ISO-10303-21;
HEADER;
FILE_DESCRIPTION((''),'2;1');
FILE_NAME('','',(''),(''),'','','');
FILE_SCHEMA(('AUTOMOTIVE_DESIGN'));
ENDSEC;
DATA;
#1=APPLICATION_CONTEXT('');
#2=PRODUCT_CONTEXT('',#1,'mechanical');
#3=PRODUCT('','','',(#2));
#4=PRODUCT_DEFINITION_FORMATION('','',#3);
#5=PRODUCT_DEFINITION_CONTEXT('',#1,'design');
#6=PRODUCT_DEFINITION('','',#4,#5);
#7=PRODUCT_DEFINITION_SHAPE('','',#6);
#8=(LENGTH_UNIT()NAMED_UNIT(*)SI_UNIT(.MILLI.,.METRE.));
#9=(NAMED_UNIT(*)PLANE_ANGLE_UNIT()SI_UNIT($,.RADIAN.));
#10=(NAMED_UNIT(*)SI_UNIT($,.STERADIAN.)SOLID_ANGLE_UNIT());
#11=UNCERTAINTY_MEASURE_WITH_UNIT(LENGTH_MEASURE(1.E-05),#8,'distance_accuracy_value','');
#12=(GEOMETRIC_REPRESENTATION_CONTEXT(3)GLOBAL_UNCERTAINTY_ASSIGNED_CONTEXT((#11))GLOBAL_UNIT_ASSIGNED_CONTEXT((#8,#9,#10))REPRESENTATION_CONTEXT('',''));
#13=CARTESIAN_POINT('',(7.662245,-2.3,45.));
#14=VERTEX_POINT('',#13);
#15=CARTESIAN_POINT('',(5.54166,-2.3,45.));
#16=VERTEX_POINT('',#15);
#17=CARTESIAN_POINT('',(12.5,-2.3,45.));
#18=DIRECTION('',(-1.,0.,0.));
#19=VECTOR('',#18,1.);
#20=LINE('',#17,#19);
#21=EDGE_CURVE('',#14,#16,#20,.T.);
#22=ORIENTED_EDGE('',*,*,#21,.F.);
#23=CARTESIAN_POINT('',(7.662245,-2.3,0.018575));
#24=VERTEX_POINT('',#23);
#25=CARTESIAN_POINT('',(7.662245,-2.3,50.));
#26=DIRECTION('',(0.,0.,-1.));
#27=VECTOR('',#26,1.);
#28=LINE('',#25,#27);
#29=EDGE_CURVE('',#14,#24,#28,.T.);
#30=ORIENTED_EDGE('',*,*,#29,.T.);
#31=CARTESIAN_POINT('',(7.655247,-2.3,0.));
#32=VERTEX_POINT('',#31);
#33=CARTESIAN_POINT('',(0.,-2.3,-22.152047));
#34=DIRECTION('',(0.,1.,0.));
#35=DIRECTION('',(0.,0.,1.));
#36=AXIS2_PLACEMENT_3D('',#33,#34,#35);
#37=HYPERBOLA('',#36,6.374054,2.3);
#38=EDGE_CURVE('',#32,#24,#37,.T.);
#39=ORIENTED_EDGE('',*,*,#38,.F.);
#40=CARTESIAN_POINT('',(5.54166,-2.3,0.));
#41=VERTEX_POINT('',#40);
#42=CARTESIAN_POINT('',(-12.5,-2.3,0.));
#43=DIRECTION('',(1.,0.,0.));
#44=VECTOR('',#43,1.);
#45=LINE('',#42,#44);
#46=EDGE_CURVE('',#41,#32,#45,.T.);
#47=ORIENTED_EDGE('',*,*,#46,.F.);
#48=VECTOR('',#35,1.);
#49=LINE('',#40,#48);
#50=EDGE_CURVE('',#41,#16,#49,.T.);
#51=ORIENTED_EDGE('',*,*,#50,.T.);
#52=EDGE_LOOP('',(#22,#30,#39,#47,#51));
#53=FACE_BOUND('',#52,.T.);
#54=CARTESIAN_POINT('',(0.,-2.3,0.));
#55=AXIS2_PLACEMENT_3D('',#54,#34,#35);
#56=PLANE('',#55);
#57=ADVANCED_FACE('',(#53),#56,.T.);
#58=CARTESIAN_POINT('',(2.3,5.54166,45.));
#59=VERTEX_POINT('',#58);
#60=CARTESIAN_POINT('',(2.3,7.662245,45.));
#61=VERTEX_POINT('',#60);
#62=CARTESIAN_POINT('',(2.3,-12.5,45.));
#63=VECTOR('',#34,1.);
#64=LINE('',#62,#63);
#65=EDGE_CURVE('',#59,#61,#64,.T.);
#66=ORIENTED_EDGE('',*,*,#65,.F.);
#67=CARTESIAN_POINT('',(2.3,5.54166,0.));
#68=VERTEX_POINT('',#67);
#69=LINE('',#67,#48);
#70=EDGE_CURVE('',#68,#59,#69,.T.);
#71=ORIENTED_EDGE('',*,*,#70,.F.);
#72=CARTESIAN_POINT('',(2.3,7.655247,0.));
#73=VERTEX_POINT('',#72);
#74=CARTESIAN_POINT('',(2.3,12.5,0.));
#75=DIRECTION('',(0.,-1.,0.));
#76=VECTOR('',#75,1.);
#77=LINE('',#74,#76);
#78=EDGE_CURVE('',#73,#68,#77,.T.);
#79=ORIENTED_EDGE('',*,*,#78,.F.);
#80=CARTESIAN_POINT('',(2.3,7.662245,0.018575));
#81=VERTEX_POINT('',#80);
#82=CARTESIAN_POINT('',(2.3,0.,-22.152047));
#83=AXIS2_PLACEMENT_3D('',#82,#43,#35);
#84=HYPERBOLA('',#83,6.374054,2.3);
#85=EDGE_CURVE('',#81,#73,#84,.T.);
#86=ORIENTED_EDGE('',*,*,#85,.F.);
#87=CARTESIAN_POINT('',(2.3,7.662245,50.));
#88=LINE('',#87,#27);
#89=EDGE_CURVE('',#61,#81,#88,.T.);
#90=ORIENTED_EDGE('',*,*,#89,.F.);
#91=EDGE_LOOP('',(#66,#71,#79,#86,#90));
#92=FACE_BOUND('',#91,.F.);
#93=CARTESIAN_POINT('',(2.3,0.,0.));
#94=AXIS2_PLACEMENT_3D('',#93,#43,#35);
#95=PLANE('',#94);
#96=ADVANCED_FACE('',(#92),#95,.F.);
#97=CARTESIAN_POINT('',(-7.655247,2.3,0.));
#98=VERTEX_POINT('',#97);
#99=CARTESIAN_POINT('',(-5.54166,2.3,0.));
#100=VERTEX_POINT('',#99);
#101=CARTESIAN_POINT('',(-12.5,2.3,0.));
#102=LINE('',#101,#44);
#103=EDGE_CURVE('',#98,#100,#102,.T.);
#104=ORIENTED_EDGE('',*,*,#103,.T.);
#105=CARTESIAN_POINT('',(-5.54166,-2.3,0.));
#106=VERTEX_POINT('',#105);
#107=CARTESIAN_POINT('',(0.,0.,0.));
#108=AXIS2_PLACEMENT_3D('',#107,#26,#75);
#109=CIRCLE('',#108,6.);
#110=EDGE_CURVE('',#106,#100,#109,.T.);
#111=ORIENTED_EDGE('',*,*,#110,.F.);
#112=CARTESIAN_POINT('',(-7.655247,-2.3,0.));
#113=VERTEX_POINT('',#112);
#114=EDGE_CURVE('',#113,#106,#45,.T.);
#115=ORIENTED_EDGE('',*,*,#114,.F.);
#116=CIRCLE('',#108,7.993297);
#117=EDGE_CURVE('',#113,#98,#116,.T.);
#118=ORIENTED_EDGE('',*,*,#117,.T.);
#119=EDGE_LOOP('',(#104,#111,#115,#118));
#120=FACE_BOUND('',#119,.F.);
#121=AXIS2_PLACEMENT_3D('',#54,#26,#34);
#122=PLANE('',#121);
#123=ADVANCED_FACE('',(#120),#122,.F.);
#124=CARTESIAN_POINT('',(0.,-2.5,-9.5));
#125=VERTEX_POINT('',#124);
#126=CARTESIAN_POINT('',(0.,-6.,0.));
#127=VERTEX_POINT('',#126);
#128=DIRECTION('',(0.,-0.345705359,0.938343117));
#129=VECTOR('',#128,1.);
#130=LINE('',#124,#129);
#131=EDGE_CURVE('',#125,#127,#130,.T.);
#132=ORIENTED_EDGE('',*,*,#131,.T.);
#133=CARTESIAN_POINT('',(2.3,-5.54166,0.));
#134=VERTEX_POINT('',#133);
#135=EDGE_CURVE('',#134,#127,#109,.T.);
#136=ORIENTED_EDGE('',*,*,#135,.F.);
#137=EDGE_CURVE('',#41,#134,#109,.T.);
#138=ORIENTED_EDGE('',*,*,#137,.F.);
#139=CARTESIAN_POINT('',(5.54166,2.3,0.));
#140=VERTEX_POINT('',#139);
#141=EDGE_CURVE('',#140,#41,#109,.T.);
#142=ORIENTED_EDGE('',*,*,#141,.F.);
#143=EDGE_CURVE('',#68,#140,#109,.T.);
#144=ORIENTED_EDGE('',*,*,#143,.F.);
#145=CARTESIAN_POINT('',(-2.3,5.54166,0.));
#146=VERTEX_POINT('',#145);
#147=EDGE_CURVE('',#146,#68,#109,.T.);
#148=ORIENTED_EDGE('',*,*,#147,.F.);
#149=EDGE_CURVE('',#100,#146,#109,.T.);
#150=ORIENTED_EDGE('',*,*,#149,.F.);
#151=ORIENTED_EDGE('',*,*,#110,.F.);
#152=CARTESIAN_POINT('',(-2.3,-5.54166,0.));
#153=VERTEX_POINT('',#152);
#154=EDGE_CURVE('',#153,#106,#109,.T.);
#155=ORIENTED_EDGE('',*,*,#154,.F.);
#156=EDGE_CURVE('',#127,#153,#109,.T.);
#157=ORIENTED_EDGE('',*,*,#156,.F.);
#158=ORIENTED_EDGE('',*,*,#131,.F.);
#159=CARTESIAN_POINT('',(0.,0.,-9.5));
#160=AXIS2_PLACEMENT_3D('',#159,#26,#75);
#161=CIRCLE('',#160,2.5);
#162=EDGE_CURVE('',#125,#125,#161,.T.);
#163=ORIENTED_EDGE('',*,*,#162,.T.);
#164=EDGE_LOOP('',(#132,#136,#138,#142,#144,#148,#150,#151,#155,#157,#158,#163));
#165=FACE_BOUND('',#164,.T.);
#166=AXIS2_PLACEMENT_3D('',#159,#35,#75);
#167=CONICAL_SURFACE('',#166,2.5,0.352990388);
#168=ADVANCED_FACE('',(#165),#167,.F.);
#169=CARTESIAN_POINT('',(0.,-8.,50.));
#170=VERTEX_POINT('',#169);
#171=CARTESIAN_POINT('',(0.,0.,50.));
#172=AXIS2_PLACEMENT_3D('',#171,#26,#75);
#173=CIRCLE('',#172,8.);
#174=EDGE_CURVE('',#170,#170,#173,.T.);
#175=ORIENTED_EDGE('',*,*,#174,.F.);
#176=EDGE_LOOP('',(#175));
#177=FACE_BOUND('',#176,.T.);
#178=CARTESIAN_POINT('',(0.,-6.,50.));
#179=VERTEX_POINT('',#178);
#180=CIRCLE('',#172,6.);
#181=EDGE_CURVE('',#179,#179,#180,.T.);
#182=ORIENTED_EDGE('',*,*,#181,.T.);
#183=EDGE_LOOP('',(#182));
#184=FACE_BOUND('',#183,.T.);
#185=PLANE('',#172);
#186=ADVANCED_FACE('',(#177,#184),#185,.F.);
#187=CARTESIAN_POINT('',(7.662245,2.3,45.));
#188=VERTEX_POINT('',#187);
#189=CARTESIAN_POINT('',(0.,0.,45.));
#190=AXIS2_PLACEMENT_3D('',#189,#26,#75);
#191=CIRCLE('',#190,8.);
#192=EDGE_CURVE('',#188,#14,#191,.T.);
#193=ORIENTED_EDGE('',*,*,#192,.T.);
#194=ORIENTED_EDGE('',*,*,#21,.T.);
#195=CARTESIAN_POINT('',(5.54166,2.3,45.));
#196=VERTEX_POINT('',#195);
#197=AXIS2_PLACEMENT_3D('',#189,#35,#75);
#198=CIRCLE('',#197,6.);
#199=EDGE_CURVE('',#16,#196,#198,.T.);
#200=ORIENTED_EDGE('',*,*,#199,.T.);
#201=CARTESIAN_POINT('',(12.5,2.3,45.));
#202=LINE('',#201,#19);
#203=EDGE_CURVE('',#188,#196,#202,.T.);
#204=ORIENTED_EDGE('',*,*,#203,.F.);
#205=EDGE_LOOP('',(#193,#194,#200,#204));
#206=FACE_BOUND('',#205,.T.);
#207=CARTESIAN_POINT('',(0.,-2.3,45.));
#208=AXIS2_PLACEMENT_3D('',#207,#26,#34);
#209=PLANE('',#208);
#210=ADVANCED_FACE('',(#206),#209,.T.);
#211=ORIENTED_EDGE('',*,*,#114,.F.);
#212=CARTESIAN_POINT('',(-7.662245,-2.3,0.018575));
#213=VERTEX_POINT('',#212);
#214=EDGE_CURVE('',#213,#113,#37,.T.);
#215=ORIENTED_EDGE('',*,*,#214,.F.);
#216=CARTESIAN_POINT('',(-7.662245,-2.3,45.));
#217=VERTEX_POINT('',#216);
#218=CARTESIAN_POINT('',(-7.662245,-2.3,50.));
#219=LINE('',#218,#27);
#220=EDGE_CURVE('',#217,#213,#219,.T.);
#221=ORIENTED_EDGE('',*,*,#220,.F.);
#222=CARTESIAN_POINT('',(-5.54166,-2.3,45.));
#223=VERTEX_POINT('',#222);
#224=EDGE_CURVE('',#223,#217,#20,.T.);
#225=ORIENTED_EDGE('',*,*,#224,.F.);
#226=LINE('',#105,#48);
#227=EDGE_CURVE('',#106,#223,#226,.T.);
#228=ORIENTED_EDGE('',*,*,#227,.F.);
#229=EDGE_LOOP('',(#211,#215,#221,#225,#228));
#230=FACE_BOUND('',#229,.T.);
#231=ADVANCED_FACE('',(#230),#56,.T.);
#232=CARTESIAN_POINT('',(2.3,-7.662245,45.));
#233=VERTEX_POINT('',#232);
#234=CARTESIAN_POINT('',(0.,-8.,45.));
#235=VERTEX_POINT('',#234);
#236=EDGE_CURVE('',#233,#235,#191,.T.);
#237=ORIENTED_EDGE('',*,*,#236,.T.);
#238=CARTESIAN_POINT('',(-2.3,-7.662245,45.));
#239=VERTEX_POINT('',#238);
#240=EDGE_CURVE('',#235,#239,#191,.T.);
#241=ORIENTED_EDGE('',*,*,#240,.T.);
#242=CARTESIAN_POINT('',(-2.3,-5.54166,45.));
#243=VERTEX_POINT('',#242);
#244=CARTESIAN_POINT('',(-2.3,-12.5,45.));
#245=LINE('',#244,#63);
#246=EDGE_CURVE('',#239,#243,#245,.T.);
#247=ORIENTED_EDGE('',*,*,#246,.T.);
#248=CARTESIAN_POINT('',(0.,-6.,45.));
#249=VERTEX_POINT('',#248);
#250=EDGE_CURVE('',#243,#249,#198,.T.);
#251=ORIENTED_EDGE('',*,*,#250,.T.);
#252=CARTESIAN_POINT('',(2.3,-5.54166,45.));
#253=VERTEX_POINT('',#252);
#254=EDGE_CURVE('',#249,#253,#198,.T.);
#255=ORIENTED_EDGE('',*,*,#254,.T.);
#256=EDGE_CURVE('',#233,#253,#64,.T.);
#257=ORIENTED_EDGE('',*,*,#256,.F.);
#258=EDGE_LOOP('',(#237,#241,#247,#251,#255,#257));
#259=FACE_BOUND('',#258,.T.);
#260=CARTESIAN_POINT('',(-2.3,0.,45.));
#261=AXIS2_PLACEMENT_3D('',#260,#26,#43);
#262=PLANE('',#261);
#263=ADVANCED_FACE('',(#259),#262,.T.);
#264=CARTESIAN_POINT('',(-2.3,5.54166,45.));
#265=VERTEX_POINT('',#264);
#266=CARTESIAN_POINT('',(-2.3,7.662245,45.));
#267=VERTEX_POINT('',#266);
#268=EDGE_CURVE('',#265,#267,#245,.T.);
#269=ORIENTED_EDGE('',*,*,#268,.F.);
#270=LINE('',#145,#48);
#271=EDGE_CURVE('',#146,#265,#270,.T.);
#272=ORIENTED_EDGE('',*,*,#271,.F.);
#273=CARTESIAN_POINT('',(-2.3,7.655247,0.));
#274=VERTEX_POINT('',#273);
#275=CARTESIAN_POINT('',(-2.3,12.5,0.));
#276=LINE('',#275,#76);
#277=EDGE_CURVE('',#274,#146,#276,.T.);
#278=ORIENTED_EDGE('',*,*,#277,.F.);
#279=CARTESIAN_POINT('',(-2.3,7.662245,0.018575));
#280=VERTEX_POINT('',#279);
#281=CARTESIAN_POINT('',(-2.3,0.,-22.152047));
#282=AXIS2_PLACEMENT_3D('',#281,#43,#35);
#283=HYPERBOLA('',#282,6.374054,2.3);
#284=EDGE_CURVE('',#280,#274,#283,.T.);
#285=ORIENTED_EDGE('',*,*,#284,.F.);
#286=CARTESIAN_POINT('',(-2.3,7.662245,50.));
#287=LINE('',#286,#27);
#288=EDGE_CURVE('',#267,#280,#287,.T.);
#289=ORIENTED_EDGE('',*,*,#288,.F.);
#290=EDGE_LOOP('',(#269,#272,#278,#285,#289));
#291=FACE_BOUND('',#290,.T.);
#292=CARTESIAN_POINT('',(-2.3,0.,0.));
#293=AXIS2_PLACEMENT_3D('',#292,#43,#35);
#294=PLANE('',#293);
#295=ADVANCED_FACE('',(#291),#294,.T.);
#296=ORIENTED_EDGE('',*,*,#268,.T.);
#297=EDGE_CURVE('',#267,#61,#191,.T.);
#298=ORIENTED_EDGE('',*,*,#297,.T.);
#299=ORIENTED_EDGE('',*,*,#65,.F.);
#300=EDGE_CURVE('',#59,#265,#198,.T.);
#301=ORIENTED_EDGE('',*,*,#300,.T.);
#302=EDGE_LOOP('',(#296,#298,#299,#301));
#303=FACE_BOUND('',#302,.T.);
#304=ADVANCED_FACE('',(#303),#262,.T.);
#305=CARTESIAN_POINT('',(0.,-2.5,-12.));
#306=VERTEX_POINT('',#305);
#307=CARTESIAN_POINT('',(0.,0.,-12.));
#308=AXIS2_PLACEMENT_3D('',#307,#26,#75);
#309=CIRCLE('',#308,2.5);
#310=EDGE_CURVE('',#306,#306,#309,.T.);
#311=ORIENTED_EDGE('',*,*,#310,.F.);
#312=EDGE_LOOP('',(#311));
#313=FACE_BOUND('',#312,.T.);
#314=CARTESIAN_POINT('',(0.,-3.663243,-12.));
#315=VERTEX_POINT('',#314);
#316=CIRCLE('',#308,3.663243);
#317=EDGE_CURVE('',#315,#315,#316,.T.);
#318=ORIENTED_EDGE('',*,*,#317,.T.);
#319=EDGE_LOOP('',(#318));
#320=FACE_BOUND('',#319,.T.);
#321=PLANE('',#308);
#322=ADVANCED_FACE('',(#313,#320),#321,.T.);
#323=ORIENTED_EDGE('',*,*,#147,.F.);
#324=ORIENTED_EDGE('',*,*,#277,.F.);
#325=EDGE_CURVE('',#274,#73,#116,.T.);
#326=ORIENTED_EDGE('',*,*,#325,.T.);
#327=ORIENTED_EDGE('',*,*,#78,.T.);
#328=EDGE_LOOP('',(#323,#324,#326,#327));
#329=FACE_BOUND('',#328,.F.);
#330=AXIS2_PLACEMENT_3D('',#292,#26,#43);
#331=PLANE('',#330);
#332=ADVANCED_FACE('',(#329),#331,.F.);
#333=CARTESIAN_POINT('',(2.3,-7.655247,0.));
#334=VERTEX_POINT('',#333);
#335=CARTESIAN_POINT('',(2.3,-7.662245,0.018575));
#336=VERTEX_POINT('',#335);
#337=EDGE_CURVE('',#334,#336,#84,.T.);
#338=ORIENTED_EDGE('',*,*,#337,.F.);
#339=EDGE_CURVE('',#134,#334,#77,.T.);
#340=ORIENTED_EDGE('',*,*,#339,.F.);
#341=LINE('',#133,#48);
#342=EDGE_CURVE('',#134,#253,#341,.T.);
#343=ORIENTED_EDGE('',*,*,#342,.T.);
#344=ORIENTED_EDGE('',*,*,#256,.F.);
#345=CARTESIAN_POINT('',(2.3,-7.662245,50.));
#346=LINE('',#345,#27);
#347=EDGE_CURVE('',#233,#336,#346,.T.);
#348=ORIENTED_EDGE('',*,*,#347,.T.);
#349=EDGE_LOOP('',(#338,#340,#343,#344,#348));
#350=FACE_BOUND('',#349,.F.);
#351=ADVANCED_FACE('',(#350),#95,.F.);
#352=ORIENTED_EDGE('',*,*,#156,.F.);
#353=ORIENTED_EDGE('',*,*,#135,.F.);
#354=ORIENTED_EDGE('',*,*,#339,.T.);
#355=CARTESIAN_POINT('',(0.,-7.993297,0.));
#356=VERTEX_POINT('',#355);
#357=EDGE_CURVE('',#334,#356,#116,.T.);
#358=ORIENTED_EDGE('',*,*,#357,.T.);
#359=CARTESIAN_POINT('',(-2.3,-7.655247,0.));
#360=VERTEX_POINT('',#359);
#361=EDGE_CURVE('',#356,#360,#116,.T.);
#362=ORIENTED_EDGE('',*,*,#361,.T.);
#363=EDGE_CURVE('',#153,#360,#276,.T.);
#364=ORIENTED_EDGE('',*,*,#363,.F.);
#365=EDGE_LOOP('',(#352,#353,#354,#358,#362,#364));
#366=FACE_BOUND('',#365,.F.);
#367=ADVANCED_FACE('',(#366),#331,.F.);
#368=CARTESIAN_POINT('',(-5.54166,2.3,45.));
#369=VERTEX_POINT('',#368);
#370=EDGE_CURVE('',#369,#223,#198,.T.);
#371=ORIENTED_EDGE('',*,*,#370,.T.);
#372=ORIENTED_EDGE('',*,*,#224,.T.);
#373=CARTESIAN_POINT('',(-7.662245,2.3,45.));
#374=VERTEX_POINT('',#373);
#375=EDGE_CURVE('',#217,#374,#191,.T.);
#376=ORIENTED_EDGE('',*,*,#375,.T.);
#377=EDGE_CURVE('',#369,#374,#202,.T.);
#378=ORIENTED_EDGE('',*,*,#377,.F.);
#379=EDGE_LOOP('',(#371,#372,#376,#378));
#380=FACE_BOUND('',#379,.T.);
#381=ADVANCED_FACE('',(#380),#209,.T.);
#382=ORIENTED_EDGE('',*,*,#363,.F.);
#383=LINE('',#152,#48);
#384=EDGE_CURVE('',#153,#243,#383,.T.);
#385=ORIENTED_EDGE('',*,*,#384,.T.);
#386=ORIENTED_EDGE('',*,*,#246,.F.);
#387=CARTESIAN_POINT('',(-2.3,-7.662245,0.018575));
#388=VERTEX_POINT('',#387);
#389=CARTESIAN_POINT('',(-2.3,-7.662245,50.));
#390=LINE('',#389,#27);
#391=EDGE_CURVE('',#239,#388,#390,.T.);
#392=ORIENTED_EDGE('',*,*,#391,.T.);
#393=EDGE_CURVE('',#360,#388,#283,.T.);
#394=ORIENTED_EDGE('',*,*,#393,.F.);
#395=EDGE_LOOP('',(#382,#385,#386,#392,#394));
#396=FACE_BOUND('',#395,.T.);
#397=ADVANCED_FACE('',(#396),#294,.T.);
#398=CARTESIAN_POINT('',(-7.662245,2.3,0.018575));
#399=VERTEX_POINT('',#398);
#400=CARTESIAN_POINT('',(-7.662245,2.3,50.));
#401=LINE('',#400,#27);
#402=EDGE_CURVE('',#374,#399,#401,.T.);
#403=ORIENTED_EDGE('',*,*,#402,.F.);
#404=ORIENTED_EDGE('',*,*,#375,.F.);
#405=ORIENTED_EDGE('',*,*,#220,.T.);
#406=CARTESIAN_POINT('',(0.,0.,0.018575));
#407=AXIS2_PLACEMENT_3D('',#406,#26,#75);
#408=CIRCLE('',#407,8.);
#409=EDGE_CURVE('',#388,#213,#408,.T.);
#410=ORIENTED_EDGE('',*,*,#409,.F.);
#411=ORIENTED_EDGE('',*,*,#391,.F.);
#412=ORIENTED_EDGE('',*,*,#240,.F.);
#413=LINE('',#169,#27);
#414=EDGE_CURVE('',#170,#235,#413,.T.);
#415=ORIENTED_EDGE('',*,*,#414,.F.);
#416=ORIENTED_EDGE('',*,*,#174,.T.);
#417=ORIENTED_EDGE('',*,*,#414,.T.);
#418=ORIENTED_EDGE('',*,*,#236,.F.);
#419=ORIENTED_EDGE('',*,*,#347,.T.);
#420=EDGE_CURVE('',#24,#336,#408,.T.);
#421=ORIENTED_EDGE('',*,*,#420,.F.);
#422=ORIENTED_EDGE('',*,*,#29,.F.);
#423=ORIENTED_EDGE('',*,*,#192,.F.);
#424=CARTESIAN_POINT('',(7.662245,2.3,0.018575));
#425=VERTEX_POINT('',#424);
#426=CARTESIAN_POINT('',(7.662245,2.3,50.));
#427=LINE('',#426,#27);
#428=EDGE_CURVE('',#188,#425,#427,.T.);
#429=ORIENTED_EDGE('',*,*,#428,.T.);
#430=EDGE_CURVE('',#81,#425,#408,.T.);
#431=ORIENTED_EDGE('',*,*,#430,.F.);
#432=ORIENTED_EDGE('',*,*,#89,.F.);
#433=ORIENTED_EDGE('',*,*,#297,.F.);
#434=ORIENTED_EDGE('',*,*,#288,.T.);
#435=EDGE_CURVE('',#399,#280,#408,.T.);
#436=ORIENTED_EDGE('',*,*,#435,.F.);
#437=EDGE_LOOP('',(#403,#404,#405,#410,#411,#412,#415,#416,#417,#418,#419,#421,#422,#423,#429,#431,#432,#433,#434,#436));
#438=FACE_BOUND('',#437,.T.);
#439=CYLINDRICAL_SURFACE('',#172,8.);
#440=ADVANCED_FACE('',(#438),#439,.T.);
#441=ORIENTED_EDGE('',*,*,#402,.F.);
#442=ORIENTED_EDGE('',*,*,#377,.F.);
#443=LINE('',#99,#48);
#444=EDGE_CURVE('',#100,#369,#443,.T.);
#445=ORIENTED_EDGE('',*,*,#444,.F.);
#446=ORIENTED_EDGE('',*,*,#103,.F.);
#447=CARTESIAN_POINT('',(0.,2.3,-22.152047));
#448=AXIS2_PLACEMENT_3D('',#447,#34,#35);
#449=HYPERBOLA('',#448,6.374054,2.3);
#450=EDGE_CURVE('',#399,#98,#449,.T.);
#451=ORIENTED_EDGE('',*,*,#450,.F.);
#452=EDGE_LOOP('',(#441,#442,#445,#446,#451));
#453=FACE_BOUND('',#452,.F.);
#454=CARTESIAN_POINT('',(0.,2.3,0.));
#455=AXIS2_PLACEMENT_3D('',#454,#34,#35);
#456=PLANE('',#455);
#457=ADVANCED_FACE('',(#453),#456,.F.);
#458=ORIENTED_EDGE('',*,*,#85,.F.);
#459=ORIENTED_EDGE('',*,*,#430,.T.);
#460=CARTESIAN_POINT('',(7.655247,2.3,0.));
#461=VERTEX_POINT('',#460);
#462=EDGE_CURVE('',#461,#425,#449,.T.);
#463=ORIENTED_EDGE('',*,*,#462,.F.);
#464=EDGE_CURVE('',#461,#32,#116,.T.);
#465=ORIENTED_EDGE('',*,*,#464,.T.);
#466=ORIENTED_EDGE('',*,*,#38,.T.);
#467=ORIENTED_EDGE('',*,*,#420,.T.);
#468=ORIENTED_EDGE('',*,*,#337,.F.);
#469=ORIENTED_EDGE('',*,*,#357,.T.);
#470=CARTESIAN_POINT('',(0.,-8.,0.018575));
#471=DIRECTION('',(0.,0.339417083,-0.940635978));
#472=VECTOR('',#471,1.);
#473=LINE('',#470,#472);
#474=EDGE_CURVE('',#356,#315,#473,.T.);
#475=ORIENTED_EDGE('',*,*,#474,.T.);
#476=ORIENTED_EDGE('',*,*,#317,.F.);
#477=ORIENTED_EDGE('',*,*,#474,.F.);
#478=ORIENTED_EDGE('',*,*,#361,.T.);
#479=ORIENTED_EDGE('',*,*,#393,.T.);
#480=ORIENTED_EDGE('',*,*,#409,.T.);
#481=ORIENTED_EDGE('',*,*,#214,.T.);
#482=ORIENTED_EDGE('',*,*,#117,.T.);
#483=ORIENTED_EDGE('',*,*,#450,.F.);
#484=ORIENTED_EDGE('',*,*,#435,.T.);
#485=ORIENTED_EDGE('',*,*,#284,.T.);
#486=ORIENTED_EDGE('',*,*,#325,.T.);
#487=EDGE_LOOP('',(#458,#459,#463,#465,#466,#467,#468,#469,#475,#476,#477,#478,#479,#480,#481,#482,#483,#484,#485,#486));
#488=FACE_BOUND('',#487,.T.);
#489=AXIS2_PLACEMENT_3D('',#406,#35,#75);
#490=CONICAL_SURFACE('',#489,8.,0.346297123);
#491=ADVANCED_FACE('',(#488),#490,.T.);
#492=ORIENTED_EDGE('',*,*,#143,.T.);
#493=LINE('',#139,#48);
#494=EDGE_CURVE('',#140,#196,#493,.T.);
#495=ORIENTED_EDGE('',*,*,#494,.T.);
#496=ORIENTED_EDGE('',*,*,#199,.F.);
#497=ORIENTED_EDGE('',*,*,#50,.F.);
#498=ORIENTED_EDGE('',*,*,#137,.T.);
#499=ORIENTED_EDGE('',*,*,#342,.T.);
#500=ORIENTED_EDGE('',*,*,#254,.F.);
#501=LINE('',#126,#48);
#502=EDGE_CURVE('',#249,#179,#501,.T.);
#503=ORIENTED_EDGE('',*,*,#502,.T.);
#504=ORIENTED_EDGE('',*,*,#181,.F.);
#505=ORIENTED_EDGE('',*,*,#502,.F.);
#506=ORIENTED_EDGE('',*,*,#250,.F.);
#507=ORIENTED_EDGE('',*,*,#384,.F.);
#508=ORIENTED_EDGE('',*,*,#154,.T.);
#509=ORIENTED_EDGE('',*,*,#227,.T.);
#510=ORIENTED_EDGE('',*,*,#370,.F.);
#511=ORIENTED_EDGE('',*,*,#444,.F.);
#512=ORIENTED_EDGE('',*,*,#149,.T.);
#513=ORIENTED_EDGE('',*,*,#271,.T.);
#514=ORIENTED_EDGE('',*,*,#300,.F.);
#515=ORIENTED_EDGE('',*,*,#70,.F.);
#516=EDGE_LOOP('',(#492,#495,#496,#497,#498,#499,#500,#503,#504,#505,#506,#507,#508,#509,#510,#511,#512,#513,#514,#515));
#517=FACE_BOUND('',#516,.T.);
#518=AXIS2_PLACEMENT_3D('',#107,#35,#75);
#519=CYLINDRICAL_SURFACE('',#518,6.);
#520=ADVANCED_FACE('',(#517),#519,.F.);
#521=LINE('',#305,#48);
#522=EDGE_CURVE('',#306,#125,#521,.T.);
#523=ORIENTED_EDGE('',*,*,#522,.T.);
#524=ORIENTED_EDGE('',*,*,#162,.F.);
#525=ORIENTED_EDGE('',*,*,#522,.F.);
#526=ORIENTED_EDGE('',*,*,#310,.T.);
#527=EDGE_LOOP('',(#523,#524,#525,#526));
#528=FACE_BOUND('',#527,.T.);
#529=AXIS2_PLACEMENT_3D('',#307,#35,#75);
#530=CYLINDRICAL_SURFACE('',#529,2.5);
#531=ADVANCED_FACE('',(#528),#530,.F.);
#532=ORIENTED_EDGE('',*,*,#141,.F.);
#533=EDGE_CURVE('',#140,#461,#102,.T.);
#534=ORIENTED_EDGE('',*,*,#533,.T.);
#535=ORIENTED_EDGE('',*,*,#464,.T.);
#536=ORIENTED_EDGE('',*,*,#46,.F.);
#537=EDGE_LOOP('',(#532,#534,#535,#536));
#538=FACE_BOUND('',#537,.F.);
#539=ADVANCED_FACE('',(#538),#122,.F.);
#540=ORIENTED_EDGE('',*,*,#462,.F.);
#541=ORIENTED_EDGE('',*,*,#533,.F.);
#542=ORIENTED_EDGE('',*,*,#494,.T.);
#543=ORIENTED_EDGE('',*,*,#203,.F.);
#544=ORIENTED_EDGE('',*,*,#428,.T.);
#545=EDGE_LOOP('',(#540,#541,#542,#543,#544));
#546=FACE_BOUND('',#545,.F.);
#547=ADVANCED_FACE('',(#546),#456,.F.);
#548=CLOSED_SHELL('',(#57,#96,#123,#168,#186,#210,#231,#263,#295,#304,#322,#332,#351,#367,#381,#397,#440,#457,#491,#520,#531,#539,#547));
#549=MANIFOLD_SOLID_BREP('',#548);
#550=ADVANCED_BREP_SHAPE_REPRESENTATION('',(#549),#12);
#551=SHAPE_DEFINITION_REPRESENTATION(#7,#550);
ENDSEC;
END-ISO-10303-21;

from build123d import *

# Parameters (mm, degrees)
F2_W     = 4.6
F2_H     = 45
F3_DEPTH = 12.5
F4_W     = 4.6
F4_H     = 45
F5_DEPTH = 12.5


with BuildPart() as f1:
    # F0 (on Right) → F1 (revolve)
    with BuildSketch(Plane.YZ):
        Polygon((-6, 0), (-6, 50), (-8, 50), (-8, 0.018575), (-3.663243, -12), (-2.5, -12), (-2.5, -9.5), align=None)
    revolve(axis=Axis((0, 0, 4.996806), (0, 0, -1)))

    # F2 (on Front) → F3 (cut, symmetric)
    with BuildSketch(Plane.XZ):
        with Locations((0, 22.5)):
            Rectangle(F2_W, F2_H)
    extrude(amount=F3_DEPTH, both=True, mode=Mode.SUBTRACT)

    # F4 (on Right) → F5 (cut, symmetric)
    with BuildSketch(Plane.YZ):
        with Locations((0, 22.5)):
            Rectangle(F4_W, F4_H)
    extrude(amount=F5_DEPTH, both=True, mode=Mode.SUBTRACT)


solid = f1.part
